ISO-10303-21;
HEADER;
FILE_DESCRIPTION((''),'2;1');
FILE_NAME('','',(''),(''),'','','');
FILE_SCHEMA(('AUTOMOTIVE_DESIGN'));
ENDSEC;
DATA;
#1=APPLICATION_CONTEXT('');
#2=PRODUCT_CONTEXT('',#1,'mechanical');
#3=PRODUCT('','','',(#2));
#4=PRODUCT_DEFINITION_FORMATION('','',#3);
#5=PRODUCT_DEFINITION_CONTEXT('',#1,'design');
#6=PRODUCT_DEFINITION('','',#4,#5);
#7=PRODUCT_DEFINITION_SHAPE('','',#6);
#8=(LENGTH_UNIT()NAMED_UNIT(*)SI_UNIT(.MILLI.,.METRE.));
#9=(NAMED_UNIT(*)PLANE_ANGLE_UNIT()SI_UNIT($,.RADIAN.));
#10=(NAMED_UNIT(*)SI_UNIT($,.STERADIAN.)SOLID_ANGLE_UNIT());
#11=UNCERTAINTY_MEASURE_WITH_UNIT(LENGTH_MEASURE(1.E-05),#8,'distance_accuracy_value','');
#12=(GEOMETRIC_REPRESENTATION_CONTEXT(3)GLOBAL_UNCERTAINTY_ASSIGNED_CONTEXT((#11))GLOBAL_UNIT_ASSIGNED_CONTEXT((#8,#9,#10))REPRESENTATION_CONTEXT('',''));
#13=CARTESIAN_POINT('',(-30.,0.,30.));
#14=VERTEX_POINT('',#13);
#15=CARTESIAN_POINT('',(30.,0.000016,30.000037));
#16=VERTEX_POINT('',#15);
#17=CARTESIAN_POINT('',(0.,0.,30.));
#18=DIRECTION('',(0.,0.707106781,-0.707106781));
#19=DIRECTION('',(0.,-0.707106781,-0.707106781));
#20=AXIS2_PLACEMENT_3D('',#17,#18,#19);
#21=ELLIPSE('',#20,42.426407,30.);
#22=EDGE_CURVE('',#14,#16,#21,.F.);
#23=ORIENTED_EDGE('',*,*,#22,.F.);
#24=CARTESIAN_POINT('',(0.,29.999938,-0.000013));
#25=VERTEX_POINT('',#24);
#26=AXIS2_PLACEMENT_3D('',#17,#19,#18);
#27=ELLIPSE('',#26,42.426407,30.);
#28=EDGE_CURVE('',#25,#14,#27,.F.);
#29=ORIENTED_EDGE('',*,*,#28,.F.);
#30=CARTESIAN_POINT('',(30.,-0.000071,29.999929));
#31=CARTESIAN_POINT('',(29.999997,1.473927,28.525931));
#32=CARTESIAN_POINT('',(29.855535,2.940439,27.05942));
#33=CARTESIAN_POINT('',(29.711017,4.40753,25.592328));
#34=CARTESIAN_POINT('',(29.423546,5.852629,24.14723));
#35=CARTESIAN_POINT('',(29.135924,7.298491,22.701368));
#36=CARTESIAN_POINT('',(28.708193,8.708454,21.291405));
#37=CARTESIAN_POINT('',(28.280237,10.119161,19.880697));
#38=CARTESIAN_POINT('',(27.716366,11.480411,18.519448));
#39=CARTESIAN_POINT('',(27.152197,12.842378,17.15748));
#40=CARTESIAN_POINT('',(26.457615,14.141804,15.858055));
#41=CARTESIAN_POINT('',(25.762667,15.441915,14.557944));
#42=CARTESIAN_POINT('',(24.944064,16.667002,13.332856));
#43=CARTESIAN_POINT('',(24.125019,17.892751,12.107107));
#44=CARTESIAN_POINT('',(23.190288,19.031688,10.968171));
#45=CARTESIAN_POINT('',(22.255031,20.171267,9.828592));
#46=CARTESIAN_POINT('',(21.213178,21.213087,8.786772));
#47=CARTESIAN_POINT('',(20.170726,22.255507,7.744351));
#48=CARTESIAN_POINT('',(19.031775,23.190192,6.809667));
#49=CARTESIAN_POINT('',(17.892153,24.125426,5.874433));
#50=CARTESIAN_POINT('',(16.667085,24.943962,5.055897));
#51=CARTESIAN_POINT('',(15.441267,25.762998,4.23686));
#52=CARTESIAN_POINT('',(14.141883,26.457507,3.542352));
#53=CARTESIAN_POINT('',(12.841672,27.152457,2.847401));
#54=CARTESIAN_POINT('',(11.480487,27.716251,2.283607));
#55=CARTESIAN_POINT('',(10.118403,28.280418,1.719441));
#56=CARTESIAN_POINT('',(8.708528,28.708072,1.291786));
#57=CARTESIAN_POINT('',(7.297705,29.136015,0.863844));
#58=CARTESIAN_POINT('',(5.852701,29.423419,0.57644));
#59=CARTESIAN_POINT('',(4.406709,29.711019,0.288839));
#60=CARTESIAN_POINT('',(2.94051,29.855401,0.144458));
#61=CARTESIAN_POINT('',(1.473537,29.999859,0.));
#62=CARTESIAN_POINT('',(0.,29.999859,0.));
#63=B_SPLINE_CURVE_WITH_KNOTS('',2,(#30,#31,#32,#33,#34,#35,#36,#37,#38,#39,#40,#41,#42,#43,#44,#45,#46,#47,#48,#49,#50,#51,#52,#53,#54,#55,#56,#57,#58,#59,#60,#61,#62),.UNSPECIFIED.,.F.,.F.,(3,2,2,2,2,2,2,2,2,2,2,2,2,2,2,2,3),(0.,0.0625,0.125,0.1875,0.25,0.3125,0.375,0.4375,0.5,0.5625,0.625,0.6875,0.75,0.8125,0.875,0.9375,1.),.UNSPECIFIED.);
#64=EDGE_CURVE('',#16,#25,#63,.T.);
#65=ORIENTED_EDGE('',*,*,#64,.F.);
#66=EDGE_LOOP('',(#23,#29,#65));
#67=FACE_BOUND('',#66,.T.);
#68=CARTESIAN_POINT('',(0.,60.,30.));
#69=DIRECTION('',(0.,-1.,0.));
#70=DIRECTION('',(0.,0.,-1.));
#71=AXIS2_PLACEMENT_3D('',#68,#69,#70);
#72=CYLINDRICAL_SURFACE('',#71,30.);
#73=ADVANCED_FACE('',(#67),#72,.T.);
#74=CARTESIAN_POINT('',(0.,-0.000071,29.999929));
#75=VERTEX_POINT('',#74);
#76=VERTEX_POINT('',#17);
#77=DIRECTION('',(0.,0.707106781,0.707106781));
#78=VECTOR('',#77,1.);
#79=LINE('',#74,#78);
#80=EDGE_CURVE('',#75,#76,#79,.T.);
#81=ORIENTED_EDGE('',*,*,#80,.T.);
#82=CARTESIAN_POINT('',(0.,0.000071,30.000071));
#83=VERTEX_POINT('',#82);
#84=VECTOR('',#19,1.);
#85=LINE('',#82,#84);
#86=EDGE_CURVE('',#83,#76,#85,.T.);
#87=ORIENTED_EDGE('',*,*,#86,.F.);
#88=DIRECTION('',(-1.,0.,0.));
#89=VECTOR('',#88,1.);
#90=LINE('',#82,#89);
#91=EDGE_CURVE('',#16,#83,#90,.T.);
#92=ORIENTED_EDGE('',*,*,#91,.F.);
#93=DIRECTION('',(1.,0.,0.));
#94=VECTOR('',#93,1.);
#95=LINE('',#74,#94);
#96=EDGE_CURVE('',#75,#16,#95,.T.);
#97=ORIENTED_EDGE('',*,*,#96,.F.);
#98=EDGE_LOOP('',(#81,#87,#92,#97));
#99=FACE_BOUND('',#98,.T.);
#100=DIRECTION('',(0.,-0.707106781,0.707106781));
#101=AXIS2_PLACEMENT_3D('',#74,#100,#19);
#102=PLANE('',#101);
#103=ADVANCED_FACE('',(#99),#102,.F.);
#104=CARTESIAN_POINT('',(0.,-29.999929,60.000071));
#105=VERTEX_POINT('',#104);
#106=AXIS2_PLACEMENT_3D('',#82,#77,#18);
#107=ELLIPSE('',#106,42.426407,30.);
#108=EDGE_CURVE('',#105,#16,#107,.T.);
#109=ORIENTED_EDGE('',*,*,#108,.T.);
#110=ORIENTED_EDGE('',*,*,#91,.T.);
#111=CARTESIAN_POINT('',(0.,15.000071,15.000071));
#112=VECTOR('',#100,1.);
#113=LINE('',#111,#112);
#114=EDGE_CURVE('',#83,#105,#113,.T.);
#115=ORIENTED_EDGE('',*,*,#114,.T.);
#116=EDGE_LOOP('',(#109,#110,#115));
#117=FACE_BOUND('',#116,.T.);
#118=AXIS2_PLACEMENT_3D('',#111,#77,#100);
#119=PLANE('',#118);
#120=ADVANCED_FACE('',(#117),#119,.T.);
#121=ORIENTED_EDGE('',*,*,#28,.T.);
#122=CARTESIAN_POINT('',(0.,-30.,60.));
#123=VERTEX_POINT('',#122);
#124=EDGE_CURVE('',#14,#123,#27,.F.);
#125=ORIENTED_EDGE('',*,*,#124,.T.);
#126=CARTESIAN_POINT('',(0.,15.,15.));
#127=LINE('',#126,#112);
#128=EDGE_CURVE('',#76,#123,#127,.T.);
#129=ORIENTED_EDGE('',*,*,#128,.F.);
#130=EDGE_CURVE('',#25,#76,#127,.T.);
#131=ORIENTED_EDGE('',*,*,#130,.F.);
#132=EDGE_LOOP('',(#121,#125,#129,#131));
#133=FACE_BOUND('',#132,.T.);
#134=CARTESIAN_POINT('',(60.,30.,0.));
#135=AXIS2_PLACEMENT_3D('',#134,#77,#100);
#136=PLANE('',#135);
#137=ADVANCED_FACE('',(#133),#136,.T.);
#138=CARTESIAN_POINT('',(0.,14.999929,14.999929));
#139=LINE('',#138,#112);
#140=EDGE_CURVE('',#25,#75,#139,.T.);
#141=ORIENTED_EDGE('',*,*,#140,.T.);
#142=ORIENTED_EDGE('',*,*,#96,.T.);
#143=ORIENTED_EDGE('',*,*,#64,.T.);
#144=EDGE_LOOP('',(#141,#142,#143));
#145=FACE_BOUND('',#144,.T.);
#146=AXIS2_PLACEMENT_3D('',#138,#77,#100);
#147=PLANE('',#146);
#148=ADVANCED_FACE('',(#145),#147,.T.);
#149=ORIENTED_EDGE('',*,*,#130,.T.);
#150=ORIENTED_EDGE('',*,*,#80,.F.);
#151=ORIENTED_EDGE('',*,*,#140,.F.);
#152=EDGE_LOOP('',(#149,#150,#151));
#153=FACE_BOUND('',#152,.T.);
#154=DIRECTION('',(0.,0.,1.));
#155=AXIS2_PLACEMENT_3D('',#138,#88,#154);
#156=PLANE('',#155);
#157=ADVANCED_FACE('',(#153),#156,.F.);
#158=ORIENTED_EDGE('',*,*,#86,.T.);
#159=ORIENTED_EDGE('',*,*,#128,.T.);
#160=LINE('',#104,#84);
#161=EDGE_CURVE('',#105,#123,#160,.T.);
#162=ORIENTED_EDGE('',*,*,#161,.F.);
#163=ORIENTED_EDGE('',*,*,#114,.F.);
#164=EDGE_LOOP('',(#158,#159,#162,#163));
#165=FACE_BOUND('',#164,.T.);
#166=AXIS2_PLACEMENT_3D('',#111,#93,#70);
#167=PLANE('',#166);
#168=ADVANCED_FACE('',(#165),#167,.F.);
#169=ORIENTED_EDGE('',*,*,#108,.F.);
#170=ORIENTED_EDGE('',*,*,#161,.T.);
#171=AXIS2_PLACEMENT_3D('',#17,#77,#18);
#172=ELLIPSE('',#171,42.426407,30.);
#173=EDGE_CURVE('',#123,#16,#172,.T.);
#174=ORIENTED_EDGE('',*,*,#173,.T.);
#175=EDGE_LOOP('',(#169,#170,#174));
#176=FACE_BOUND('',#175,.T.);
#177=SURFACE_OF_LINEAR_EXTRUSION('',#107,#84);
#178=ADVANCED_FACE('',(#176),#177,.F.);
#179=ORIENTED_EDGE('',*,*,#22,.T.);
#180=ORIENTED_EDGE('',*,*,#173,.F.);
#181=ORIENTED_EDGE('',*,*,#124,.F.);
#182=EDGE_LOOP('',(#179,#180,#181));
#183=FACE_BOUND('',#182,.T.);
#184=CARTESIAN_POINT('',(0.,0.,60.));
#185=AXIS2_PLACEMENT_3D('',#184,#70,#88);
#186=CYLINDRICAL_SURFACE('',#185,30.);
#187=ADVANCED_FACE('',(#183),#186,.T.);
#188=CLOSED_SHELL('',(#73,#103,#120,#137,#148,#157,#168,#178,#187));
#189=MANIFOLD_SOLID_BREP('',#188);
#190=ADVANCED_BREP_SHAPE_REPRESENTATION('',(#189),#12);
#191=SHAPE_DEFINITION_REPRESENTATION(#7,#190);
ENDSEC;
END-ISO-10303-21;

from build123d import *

# Parameters (mm, degrees)
SKETCH1_R               = 29.999999999999996
BOSS_EXTRUDE1_DEPTH     = 60
CUT_EXTRUDE2_DEPTH      = 60
CUT_EXTRUDE2_DEPTH_BACK = 60
CUT_EXTRUDE6_DEPTH      = 60
CUT_EXTRUDE6_DEPTH_BACK = 60
CUT_EXTRUDE7_DEPTH      = 0.0001
BOSS_EXTRUDE2_DEPTH     = 0.0001


with BuildPart() as part:
    # Sketch1 → Boss-Extrude1 (new body)
    with BuildSketch(Plane.XY):
        Circle(SKETCH1_R)
    extrude(amount=BOSS_EXTRUDE1_DEPTH)

    # Sketch2 → Cut-Extrude2 (cut, two sides: drawn at the far end of the back side and taken through both)
    with BuildSketch(Plane(origin=(0, 0, 0), x_dir=(1, 0, 0), z_dir=(0, 1, 0)).offset(-CUT_EXTRUDE2_DEPTH_BACK)):
        with BuildLine():
            Line((-7.1054e-13, 0), (-30, 0))
            Line((-30, 0), (-30, -30.00000000000002))
            ThreePointArc((-30, -29.999999999999996), (-21.213203435596675, -8.786796564403826), (-7.1093e-13, 0))
        make_face()
        with BuildLine():
            Line((30, 0), (-7.1054e-13, 0))
            ThreePointArc((-7.1093e-13, 0), (21.213203435596174, -8.786796564403325), (30, -30))
            Line((30, -30), (30, 0))
        make_face()
        with BuildLine():
            ThreePointArc((2.2327e-12, -60), (-21.213203435595638, -51.21320343559721), (-30, -29.999999999999996))
            Line((-30, -30.00000000000002), (-30, -60))
            Line((-30, -60), (2.2311e-12, -60))
        make_face()
        with BuildLine():
            Line((30, -60), (30, -30))
            ThreePointArc((30, -30.000000000000007), (21.21320343559721, -51.21320343559564), (2.2327e-12, -60))
            Line((2.2311e-12, -60), (30, -60))
        make_face()
    extrude(amount=CUT_EXTRUDE2_DEPTH + CUT_EXTRUDE2_DEPTH_BACK, mode=Mode.SUBTRACT)

    # Sketch7 → Cut-Extrude6 (cut, two sides: drawn at the far end of the back side and taken through both)
    with BuildSketch(Plane(origin=(0, 0, 0), x_dir=(0, 0, -1), z_dir=(1, 0, 0)).offset(-CUT_EXTRUDE6_DEPTH_BACK)):
        Polygon((0, 30), (-60, -30), (-60, 30), align=None)
    extrude(amount=CUT_EXTRUDE6_DEPTH + CUT_EXTRUDE6_DEPTH_BACK, mode=Mode.SUBTRACT)

    # Sketch8 → Cut-Extrude7 (cut)
    with BuildSketch(Plane(origin=(0, 15.000000000000005, 15.000000000000004), x_dir=(1, 0, 0), z_dir=(0, 0.7071067811865477, 0.7071067811865475))):
        with BuildLine():
            Line((2.22e-15, 21.21320343559642), (1.0474e-13, -21.213203435596412))
            Line((1.0474e-13, -21.213203435596412), (29.999999999999996, -21.213203435596427))
            add(Edge.make_bspline(
                [(30, -21.21320343559644), (30.000000000000018, 21.213203435596398), (1.677e-14, 21.21320343559642)],
                knots=[4.71238898038469, 4.71238898038469, 4.71238898038469, 6.283185307179586, 6.283185307179586, 6.283185307179586], degree=2, weights=[1, 0.7071067811865476, 1]))
        make_face()
    extrude(amount=-CUT_EXTRUDE7_DEPTH, mode=Mode.SUBTRACT)

    # Sketch9 → Boss-Extrude2 (add)
    with BuildSketch(Plane(origin=(0, 15.000000000000005, 15.000000000000004), x_dir=(1, 0, 0), z_dir=(0, 0.7071067811865477, 0.7071067811865475))):
        with BuildLine():
            Line((29.99999999995833, -21.213203435596427), (1.0408e-13, -21.213203435596416))
            Line((1.0408e-13, -21.213203435596416), (1.9602e-13, -63.639610306789265))
            add(Edge.make_bspline(
                [(-1.309e-14, -63.63961030678927), (29.999999999999982, -63.63961030678929), (30, -21.21320343559644)],
                knots=[3.141592653589793, 3.141592653589793, 3.141592653589793, 4.71238898038469, 4.71238898038469, 4.71238898038469], degree=2, weights=[1, 0.7071067811865476, 1]))
        make_face()
    extrude(amount=BOSS_EXTRUDE2_DEPTH)


solid = part.part
